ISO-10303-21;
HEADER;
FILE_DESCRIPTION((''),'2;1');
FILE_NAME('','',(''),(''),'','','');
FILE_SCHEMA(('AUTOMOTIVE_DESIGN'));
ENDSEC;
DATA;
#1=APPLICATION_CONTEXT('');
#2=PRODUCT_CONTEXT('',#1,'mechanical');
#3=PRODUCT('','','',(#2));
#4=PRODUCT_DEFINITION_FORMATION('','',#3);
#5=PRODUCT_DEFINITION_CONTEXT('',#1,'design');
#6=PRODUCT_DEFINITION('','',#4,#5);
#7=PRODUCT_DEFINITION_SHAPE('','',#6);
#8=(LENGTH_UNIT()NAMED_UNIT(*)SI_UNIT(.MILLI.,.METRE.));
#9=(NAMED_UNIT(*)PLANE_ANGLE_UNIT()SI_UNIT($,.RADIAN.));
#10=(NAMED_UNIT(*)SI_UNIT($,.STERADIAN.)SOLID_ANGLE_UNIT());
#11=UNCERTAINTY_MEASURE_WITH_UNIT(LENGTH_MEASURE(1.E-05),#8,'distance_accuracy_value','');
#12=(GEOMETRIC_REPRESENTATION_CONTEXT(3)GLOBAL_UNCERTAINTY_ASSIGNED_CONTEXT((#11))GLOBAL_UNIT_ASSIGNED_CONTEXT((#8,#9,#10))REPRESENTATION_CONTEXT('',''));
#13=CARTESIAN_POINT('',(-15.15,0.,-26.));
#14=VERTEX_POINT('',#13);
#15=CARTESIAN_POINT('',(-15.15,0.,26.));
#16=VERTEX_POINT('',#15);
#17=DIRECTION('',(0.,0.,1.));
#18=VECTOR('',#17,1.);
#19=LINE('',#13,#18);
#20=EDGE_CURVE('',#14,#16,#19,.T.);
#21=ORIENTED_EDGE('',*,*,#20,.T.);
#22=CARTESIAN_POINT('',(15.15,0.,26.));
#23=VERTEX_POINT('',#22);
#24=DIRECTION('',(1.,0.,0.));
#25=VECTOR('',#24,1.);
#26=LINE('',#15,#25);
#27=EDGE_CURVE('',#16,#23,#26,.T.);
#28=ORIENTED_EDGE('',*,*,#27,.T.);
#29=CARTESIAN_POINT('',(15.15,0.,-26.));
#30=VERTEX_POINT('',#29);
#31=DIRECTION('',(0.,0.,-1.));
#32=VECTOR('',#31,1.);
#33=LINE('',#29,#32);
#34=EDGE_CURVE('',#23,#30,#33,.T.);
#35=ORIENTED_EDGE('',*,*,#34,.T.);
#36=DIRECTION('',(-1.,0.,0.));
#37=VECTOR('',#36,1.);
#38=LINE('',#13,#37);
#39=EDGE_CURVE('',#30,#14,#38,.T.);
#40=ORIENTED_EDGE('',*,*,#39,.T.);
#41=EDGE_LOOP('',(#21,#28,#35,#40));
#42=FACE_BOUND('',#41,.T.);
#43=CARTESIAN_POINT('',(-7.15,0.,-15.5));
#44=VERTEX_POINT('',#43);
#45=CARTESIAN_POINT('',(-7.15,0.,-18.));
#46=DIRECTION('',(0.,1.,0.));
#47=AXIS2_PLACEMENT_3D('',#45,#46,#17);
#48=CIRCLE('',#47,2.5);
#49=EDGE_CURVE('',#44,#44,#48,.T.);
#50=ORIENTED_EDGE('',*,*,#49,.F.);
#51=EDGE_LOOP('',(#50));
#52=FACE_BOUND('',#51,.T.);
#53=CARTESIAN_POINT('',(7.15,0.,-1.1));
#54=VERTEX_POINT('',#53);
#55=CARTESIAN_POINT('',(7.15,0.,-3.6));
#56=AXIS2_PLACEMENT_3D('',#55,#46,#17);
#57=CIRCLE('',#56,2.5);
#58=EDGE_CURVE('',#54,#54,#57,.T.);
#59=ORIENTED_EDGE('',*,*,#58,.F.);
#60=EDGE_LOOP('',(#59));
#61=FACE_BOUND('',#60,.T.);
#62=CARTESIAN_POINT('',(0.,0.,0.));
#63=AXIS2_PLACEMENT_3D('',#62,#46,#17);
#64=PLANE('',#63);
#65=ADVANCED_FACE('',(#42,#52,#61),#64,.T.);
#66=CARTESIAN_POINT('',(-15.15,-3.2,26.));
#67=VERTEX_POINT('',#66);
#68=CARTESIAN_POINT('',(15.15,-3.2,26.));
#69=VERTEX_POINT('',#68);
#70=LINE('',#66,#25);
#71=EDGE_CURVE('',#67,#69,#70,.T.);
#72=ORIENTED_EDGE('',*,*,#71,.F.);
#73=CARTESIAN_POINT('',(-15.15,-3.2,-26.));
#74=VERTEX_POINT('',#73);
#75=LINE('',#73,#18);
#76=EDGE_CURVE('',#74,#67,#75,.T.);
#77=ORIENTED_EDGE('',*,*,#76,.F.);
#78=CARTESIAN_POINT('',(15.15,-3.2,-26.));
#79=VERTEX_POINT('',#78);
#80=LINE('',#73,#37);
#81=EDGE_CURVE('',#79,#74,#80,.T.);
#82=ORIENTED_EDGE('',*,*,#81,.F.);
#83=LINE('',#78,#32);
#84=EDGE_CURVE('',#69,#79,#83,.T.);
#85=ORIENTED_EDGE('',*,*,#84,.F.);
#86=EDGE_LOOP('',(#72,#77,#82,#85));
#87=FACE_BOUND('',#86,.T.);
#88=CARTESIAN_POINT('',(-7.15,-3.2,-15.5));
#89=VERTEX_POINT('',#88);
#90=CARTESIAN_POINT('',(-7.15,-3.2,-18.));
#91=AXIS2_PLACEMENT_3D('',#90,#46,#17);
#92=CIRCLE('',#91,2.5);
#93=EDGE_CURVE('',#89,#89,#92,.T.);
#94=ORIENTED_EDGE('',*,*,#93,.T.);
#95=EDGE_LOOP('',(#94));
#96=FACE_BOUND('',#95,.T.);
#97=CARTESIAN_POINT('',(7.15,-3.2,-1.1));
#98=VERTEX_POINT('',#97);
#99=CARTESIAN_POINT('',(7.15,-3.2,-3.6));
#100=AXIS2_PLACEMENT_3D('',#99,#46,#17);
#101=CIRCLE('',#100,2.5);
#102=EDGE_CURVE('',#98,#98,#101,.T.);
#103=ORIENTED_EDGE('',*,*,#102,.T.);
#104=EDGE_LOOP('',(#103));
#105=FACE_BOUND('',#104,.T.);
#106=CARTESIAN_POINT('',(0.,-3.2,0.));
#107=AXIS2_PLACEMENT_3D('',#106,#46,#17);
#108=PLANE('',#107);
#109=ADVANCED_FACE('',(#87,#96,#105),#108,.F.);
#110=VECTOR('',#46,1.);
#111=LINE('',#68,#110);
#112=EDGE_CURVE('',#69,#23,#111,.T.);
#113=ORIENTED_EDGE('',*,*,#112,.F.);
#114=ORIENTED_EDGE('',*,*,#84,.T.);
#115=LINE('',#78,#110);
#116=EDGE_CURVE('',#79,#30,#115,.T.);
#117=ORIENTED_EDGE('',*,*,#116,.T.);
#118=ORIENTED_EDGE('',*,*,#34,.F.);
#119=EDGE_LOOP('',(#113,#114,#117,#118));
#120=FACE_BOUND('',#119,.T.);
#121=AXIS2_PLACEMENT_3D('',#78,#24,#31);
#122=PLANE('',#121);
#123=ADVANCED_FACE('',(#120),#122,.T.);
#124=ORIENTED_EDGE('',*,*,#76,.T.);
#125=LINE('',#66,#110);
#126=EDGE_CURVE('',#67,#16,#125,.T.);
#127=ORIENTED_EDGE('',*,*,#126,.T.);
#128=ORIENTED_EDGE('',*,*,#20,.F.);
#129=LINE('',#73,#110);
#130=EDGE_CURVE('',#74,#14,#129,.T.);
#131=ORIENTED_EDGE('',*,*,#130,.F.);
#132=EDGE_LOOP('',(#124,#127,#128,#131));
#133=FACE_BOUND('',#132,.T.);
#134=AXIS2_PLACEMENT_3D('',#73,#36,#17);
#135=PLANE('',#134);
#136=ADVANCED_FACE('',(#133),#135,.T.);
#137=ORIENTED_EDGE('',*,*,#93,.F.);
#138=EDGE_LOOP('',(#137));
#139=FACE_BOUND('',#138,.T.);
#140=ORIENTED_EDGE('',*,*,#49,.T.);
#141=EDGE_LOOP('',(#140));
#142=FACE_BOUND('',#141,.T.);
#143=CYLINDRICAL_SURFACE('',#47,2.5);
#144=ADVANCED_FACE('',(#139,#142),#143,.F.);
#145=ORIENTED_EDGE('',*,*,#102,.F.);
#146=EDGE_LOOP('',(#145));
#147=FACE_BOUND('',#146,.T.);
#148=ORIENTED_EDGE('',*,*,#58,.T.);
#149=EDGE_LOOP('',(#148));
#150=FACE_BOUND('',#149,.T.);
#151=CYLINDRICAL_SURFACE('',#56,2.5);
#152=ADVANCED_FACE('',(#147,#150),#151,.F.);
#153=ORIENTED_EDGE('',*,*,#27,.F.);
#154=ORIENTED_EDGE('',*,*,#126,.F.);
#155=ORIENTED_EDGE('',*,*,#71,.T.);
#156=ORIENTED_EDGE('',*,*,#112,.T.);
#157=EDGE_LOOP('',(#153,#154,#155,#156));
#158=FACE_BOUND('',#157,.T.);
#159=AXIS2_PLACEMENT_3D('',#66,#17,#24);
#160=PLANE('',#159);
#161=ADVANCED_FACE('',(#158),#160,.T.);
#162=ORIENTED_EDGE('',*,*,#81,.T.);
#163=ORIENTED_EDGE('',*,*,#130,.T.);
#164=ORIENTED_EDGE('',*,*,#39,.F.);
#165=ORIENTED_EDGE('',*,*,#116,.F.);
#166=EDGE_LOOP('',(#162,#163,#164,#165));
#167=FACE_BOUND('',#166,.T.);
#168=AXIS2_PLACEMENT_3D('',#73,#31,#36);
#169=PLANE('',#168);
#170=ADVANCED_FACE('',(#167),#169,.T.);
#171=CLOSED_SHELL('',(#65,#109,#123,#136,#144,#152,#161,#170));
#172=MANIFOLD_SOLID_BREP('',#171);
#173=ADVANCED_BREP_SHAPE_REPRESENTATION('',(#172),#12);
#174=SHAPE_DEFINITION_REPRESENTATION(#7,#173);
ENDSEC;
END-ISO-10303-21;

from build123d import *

# Parameters (mm, degrees)
SKETCH1_W           = 30.3
SKETCH1_H           = 52
BOSS_EXTRUDE1_DEPTH = 3.2
M6_TAPPED_HOLE1_D   = 5


with BuildPart() as part:
    # Sketch1 → Boss-Extrude1 (new body)
    with BuildSketch(Plane(origin=(0, 0, 0), x_dir=(1, 0, 0), z_dir=(0, 1, 0))):
        Rectangle(SKETCH1_W, SKETCH1_H)
    extrude(amount=-BOSS_EXTRUDE1_DEPTH)

    # M6 Tapped Hole1 (through all)
    with Locations(Plane(origin=(0, 0, 0), x_dir=(1, 0, 0), z_dir=(0, 1, 0))):
        with Locations((-7.15, 18), (7.15, 3.6)):
            Hole(M6_TAPPED_HOLE1_D / 2)


solid = part.part
